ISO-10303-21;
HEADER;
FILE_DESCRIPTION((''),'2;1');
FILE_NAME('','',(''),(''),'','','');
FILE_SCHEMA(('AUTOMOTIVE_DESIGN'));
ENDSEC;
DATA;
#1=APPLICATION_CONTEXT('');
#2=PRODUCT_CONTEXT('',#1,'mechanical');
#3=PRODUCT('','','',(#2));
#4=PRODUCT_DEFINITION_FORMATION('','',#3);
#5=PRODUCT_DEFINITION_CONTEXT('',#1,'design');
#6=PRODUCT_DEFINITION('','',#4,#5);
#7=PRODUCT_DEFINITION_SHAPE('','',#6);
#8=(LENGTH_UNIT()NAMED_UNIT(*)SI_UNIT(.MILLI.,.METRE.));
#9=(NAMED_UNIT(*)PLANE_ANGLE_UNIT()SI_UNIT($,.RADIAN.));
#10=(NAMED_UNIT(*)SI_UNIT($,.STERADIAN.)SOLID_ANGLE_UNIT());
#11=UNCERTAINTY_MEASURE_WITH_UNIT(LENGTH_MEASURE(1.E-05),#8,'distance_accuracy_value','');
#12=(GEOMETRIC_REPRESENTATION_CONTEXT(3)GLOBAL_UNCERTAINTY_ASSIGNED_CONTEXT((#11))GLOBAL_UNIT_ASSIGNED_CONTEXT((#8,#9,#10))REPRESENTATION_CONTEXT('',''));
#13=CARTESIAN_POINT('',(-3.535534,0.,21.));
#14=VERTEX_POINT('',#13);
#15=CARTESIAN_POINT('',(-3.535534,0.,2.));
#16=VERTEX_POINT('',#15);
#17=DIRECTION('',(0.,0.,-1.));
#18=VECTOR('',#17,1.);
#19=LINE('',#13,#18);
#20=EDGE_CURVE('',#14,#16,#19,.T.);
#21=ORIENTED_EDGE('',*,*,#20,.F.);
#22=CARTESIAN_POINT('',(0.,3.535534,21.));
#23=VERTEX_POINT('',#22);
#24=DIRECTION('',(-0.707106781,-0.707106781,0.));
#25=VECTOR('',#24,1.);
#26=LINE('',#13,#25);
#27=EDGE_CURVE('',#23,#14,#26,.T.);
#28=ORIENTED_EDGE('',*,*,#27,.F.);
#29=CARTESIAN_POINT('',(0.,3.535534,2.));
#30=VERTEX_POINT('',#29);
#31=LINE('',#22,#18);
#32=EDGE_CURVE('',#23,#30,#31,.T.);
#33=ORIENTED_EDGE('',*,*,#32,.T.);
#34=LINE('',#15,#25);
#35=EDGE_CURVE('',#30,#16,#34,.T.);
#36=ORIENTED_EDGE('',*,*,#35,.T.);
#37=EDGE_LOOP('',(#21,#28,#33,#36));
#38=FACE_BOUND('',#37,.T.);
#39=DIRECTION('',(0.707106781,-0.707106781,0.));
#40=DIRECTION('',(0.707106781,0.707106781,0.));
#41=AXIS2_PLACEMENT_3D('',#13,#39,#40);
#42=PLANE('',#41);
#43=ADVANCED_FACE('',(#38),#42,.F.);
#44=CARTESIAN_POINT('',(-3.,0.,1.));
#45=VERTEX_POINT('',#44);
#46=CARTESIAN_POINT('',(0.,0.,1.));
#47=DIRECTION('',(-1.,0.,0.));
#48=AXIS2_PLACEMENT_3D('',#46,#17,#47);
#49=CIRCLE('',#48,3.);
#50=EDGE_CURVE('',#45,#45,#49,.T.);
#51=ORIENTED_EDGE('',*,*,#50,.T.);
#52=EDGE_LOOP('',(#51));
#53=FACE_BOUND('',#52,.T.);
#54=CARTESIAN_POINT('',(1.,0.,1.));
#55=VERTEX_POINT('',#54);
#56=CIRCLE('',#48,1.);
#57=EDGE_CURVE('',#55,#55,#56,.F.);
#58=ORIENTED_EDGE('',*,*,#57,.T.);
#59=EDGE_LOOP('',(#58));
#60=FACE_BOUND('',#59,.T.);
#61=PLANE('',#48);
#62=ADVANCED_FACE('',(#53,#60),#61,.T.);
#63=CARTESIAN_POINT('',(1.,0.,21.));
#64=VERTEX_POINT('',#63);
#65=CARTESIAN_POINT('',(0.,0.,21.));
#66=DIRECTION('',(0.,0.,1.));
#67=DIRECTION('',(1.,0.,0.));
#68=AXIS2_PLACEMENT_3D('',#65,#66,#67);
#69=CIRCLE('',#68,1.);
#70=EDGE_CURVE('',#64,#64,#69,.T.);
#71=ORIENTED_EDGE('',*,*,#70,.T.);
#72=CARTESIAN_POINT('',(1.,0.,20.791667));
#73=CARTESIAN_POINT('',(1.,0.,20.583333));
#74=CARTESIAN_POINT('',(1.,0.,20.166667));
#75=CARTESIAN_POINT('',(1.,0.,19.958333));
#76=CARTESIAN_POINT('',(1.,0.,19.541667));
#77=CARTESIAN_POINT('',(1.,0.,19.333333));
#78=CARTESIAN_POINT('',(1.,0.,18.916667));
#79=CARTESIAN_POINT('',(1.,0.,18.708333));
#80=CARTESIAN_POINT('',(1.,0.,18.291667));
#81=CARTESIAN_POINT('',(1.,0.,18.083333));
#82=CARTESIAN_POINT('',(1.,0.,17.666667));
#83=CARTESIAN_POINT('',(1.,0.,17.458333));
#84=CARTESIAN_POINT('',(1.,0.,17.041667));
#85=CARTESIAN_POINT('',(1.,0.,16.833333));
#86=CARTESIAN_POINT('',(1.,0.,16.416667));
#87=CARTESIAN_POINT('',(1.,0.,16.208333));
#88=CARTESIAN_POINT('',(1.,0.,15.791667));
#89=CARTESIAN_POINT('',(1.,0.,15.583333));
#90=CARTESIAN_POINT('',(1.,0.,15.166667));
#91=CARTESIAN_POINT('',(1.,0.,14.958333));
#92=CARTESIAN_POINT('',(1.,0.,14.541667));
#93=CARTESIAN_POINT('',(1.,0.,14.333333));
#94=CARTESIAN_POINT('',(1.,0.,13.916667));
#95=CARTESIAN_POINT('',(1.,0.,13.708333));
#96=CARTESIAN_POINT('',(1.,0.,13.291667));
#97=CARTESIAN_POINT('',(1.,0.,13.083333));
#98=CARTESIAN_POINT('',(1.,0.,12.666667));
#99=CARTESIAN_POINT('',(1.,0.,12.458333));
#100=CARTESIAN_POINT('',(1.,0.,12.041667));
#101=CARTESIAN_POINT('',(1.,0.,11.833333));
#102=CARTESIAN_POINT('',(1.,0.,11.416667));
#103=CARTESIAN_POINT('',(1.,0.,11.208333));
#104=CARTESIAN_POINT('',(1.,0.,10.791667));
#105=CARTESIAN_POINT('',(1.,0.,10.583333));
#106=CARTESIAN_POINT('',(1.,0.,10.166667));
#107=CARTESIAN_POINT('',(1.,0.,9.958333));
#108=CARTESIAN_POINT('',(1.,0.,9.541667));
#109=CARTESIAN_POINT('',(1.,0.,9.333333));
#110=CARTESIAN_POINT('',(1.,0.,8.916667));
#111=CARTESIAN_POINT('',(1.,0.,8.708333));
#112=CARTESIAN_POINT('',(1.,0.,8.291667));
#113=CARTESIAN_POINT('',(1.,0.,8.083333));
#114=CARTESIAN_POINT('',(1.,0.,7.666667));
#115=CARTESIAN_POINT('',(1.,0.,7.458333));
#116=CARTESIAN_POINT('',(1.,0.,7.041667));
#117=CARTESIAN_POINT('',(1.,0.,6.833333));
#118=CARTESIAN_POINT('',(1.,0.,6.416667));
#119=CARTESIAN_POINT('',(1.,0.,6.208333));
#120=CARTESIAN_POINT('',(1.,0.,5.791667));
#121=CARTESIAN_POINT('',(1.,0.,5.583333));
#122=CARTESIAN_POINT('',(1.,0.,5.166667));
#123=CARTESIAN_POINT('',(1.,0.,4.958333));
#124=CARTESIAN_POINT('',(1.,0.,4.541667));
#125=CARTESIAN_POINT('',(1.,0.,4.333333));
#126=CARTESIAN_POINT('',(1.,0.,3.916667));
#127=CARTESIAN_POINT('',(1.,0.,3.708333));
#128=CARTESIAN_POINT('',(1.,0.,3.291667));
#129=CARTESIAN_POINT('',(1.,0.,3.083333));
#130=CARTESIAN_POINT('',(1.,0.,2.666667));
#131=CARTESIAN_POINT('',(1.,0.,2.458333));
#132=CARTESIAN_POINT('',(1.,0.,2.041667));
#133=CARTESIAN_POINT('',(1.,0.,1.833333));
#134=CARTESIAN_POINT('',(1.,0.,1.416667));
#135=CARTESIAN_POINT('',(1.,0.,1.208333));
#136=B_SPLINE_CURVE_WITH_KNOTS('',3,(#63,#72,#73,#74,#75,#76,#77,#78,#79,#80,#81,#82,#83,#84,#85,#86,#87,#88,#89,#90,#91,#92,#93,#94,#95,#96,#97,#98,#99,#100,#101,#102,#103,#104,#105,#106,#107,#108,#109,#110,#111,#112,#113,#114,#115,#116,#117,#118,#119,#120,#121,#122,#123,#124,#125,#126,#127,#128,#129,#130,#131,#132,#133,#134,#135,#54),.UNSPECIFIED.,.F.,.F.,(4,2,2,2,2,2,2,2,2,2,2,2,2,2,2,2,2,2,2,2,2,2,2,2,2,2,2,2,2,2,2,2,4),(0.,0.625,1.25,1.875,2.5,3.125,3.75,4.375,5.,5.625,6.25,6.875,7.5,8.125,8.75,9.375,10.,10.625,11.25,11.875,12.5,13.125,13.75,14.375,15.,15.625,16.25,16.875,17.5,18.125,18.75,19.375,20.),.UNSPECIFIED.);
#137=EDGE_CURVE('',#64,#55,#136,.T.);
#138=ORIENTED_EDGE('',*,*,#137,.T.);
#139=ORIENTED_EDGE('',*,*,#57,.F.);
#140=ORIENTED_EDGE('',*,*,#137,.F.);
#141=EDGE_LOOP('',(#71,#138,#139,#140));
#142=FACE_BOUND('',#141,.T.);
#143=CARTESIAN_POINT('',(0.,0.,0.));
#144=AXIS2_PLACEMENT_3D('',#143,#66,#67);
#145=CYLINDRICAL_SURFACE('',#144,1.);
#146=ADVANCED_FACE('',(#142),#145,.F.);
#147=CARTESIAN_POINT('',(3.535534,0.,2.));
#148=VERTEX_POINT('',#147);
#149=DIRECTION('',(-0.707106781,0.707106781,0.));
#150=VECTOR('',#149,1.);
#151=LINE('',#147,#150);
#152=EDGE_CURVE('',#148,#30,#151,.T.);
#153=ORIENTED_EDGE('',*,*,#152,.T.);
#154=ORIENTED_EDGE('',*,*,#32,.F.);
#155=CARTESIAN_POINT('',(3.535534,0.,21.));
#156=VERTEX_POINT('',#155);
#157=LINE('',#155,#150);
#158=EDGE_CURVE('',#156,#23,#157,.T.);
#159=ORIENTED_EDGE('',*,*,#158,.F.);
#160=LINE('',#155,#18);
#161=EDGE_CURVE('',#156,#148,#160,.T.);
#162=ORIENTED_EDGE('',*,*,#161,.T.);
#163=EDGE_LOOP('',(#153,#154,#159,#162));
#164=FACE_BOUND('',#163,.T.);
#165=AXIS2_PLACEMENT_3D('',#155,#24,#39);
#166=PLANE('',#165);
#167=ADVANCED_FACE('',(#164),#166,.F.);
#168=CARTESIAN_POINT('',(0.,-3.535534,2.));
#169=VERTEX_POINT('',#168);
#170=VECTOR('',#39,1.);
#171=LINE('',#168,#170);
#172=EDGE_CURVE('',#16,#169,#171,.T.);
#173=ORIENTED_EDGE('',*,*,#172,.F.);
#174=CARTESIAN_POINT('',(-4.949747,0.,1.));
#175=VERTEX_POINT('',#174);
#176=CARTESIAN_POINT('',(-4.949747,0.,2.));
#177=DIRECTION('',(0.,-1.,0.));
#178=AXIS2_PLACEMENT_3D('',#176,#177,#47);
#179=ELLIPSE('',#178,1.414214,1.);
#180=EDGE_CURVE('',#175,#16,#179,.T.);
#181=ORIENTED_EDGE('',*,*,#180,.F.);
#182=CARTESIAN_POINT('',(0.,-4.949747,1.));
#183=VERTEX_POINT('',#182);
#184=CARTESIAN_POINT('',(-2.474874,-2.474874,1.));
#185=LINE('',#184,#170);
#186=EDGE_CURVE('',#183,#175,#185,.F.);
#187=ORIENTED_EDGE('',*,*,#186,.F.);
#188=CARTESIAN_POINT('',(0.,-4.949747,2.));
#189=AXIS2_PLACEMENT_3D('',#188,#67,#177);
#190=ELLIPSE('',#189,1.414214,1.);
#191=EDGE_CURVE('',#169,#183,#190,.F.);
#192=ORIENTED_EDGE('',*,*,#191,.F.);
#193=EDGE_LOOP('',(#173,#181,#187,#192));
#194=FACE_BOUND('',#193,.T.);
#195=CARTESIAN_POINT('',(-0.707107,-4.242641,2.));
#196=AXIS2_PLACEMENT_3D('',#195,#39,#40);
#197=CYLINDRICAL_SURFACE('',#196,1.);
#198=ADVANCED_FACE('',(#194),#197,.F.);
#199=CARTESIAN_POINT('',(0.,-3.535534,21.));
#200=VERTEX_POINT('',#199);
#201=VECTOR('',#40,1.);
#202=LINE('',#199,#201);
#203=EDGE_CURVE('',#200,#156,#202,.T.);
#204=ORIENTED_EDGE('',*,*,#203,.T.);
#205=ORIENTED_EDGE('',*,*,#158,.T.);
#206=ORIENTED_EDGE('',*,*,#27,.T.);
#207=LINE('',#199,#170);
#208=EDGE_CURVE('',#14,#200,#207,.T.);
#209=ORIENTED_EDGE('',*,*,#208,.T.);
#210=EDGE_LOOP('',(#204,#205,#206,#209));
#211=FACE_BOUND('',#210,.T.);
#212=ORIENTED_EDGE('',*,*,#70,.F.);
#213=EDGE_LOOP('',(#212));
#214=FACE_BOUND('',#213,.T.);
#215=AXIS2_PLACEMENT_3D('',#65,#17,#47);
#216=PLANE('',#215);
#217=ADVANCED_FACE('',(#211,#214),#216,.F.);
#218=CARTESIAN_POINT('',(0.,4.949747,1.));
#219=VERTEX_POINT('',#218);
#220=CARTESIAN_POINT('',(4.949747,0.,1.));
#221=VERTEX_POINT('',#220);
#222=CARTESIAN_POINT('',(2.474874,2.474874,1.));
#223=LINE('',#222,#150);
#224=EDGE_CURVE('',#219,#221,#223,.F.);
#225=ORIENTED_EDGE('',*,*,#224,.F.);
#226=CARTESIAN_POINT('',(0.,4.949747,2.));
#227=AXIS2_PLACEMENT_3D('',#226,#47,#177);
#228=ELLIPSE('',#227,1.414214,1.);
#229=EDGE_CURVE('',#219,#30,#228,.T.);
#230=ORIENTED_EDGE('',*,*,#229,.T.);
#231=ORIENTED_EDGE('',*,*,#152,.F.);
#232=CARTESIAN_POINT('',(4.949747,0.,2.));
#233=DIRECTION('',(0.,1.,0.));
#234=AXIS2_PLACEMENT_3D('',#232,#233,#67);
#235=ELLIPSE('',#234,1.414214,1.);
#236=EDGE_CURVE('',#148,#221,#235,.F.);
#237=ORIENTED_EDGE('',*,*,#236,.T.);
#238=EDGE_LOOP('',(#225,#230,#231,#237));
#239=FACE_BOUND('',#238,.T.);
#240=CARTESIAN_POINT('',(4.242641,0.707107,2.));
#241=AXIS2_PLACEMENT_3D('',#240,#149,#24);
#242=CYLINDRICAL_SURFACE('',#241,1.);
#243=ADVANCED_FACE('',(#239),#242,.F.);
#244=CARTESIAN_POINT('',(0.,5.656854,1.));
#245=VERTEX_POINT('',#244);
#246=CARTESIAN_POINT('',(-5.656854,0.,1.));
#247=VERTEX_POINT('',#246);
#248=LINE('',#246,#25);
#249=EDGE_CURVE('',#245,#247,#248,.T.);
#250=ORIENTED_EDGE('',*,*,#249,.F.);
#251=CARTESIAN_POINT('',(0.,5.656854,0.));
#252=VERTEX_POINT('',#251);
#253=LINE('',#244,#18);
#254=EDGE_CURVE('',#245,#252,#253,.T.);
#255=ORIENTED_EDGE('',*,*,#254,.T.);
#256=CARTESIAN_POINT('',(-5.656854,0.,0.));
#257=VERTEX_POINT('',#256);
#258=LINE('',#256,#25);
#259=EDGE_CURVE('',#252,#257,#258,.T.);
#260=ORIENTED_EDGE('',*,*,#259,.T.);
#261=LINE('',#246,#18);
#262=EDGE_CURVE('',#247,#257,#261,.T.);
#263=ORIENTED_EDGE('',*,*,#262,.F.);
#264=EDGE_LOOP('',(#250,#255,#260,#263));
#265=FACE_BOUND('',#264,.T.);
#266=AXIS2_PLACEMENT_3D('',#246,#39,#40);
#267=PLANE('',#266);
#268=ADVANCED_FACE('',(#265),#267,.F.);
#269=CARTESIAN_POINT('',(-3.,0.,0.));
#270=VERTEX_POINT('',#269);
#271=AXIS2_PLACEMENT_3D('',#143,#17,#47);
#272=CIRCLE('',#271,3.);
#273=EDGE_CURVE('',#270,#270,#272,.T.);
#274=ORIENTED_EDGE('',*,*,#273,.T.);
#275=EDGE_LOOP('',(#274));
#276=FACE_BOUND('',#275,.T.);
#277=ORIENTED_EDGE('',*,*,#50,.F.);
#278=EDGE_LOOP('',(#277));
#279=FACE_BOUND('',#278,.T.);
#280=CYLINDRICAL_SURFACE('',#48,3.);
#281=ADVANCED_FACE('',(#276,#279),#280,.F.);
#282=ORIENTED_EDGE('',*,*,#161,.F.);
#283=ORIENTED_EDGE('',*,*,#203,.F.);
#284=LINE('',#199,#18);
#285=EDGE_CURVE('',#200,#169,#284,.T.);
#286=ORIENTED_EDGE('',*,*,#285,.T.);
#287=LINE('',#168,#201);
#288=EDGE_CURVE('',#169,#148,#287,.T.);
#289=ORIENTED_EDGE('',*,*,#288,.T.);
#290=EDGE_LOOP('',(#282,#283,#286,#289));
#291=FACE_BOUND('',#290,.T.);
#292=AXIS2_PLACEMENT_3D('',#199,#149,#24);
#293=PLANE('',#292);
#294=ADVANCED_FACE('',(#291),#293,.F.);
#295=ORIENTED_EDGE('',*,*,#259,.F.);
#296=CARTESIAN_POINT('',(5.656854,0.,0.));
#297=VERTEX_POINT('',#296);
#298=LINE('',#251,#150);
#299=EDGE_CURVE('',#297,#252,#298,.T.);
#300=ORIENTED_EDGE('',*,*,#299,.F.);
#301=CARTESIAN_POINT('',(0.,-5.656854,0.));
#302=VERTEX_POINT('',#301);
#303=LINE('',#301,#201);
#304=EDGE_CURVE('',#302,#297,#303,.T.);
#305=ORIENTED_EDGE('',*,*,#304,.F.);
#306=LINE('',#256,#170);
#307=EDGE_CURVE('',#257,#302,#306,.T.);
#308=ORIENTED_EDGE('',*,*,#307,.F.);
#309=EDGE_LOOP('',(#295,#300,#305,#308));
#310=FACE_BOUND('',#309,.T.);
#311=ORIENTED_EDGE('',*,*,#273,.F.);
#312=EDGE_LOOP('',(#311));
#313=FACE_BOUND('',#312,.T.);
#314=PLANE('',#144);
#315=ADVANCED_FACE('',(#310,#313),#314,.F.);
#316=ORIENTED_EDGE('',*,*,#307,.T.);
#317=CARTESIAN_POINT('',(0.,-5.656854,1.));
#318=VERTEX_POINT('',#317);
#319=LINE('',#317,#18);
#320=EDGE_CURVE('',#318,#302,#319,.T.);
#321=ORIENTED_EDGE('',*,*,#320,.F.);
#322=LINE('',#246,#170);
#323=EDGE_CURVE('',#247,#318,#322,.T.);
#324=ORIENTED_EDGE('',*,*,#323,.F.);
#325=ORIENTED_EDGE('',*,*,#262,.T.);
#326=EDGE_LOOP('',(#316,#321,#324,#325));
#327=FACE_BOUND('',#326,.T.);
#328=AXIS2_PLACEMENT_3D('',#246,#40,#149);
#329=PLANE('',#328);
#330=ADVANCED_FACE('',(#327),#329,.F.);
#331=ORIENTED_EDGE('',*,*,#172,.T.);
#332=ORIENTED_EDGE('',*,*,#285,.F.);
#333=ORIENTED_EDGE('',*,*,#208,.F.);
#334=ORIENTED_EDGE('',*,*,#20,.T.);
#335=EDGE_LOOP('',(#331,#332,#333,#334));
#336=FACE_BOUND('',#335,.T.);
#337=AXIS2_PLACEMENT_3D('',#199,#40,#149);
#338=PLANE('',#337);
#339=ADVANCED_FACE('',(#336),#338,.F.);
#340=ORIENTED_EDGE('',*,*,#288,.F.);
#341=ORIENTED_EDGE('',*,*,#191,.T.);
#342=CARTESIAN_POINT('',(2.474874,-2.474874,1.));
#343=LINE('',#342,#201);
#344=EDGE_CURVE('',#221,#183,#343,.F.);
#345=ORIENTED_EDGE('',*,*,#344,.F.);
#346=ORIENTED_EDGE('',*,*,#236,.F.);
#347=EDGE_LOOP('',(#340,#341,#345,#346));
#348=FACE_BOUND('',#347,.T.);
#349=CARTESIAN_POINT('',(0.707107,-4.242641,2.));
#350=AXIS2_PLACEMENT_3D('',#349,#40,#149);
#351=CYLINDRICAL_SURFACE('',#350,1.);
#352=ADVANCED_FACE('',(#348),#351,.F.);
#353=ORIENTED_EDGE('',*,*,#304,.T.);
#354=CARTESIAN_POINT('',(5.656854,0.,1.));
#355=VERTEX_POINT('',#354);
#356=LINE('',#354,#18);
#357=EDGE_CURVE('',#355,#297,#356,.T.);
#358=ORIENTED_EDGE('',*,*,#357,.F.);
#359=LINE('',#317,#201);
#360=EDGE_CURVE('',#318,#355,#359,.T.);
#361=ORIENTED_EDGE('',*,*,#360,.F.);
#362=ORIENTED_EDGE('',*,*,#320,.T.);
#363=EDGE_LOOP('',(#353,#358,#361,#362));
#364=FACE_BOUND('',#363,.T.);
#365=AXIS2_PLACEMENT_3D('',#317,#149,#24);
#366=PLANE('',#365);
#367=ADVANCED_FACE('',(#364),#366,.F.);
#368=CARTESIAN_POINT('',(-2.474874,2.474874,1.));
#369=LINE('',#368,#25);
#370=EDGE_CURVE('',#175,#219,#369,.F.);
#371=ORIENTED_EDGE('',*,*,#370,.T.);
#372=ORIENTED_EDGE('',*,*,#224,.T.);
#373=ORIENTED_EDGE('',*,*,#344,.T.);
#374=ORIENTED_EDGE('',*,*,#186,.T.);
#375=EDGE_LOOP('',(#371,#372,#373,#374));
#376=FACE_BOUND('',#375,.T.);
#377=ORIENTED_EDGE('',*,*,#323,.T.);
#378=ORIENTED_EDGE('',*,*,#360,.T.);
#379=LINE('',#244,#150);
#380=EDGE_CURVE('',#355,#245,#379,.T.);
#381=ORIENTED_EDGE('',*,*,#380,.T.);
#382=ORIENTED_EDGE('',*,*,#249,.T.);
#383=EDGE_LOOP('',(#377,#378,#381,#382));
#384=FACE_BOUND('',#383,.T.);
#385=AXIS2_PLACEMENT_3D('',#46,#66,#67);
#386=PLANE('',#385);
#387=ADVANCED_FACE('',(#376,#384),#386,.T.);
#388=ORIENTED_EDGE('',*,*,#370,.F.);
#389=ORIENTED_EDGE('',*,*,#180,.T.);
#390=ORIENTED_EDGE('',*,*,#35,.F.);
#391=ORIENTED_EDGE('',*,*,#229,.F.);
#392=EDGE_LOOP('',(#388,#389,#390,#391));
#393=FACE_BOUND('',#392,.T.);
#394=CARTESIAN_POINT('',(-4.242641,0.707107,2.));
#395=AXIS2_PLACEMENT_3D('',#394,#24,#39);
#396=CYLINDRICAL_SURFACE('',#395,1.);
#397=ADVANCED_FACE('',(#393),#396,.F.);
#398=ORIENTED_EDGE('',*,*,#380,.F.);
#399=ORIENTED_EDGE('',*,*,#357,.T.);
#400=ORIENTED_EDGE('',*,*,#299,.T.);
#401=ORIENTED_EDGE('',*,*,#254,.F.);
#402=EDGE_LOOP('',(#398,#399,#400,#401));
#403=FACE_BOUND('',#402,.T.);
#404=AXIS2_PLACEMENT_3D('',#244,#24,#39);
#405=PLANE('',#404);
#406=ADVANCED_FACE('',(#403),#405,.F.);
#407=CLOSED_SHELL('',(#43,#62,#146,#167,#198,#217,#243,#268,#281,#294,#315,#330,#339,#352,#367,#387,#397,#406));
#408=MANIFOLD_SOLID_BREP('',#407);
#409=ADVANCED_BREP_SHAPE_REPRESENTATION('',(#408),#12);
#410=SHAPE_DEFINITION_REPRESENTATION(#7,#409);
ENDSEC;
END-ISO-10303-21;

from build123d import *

# Parameters (mm, degrees)
BASE_DEPTH          = 1
BOSS_EXTRUDE2_DEPTH = 20
SKETCH3_R           = 1
CUT_EXTRUDE1_DEPTH  = 23.472205054
FILLET1_R           = 1
SKETCH4_R           = 3
CUT_EXTRUDE2_DEPTH  = 1


with BuildPart() as part:
    # Sketch1 → Base (new body)
    with BuildSketch(Plane.XY):
        Polygon((-5.656854249, 0), (0, 5.656854249), (5.656854249, 0), (0, -5.656854249), align=None)
    extrude(amount=BASE_DEPTH)

    # Sketch2 → Boss-Extrude2 (add)
    with BuildSketch(Plane.XY.offset(1)):
        Polygon((0, -3.535533906), (3.535533906, 0), (0, 3.535533906), (-3.535533906, 0), align=None)
    extrude(amount=BOSS_EXTRUDE2_DEPTH)

    # Sketch3 → Cut-Extrude1 (cut, through all)
    with BuildSketch(Plane.XY.offset(21)):
        Circle(SKETCH3_R)
    extrude(amount=-CUT_EXTRUDE1_DEPTH, mode=Mode.SUBTRACT)

    # Fillet1
    fillet1_edges = [part.edges().sort_by_distance(p)[0] for p in [
        (-1.767766953, -1.767766953, 1),
        (1.767766953, -1.767766953, 1),
        (1.767766953, 1.767766953, 1),
        (-1.767766953, 1.767766953, 1),
    ]]
    fillet(fillet1_edges, radius=FILLET1_R)

    # Sketch4 → Cut-Extrude2 (cut)
    with BuildSketch(Plane(origin=(0, 0, 0), x_dir=(-1, 0, 0), z_dir=(0, 0, -1))):
        Circle(SKETCH4_R)
    extrude(amount=-CUT_EXTRUDE2_DEPTH, mode=Mode.SUBTRACT)


solid = part.part
